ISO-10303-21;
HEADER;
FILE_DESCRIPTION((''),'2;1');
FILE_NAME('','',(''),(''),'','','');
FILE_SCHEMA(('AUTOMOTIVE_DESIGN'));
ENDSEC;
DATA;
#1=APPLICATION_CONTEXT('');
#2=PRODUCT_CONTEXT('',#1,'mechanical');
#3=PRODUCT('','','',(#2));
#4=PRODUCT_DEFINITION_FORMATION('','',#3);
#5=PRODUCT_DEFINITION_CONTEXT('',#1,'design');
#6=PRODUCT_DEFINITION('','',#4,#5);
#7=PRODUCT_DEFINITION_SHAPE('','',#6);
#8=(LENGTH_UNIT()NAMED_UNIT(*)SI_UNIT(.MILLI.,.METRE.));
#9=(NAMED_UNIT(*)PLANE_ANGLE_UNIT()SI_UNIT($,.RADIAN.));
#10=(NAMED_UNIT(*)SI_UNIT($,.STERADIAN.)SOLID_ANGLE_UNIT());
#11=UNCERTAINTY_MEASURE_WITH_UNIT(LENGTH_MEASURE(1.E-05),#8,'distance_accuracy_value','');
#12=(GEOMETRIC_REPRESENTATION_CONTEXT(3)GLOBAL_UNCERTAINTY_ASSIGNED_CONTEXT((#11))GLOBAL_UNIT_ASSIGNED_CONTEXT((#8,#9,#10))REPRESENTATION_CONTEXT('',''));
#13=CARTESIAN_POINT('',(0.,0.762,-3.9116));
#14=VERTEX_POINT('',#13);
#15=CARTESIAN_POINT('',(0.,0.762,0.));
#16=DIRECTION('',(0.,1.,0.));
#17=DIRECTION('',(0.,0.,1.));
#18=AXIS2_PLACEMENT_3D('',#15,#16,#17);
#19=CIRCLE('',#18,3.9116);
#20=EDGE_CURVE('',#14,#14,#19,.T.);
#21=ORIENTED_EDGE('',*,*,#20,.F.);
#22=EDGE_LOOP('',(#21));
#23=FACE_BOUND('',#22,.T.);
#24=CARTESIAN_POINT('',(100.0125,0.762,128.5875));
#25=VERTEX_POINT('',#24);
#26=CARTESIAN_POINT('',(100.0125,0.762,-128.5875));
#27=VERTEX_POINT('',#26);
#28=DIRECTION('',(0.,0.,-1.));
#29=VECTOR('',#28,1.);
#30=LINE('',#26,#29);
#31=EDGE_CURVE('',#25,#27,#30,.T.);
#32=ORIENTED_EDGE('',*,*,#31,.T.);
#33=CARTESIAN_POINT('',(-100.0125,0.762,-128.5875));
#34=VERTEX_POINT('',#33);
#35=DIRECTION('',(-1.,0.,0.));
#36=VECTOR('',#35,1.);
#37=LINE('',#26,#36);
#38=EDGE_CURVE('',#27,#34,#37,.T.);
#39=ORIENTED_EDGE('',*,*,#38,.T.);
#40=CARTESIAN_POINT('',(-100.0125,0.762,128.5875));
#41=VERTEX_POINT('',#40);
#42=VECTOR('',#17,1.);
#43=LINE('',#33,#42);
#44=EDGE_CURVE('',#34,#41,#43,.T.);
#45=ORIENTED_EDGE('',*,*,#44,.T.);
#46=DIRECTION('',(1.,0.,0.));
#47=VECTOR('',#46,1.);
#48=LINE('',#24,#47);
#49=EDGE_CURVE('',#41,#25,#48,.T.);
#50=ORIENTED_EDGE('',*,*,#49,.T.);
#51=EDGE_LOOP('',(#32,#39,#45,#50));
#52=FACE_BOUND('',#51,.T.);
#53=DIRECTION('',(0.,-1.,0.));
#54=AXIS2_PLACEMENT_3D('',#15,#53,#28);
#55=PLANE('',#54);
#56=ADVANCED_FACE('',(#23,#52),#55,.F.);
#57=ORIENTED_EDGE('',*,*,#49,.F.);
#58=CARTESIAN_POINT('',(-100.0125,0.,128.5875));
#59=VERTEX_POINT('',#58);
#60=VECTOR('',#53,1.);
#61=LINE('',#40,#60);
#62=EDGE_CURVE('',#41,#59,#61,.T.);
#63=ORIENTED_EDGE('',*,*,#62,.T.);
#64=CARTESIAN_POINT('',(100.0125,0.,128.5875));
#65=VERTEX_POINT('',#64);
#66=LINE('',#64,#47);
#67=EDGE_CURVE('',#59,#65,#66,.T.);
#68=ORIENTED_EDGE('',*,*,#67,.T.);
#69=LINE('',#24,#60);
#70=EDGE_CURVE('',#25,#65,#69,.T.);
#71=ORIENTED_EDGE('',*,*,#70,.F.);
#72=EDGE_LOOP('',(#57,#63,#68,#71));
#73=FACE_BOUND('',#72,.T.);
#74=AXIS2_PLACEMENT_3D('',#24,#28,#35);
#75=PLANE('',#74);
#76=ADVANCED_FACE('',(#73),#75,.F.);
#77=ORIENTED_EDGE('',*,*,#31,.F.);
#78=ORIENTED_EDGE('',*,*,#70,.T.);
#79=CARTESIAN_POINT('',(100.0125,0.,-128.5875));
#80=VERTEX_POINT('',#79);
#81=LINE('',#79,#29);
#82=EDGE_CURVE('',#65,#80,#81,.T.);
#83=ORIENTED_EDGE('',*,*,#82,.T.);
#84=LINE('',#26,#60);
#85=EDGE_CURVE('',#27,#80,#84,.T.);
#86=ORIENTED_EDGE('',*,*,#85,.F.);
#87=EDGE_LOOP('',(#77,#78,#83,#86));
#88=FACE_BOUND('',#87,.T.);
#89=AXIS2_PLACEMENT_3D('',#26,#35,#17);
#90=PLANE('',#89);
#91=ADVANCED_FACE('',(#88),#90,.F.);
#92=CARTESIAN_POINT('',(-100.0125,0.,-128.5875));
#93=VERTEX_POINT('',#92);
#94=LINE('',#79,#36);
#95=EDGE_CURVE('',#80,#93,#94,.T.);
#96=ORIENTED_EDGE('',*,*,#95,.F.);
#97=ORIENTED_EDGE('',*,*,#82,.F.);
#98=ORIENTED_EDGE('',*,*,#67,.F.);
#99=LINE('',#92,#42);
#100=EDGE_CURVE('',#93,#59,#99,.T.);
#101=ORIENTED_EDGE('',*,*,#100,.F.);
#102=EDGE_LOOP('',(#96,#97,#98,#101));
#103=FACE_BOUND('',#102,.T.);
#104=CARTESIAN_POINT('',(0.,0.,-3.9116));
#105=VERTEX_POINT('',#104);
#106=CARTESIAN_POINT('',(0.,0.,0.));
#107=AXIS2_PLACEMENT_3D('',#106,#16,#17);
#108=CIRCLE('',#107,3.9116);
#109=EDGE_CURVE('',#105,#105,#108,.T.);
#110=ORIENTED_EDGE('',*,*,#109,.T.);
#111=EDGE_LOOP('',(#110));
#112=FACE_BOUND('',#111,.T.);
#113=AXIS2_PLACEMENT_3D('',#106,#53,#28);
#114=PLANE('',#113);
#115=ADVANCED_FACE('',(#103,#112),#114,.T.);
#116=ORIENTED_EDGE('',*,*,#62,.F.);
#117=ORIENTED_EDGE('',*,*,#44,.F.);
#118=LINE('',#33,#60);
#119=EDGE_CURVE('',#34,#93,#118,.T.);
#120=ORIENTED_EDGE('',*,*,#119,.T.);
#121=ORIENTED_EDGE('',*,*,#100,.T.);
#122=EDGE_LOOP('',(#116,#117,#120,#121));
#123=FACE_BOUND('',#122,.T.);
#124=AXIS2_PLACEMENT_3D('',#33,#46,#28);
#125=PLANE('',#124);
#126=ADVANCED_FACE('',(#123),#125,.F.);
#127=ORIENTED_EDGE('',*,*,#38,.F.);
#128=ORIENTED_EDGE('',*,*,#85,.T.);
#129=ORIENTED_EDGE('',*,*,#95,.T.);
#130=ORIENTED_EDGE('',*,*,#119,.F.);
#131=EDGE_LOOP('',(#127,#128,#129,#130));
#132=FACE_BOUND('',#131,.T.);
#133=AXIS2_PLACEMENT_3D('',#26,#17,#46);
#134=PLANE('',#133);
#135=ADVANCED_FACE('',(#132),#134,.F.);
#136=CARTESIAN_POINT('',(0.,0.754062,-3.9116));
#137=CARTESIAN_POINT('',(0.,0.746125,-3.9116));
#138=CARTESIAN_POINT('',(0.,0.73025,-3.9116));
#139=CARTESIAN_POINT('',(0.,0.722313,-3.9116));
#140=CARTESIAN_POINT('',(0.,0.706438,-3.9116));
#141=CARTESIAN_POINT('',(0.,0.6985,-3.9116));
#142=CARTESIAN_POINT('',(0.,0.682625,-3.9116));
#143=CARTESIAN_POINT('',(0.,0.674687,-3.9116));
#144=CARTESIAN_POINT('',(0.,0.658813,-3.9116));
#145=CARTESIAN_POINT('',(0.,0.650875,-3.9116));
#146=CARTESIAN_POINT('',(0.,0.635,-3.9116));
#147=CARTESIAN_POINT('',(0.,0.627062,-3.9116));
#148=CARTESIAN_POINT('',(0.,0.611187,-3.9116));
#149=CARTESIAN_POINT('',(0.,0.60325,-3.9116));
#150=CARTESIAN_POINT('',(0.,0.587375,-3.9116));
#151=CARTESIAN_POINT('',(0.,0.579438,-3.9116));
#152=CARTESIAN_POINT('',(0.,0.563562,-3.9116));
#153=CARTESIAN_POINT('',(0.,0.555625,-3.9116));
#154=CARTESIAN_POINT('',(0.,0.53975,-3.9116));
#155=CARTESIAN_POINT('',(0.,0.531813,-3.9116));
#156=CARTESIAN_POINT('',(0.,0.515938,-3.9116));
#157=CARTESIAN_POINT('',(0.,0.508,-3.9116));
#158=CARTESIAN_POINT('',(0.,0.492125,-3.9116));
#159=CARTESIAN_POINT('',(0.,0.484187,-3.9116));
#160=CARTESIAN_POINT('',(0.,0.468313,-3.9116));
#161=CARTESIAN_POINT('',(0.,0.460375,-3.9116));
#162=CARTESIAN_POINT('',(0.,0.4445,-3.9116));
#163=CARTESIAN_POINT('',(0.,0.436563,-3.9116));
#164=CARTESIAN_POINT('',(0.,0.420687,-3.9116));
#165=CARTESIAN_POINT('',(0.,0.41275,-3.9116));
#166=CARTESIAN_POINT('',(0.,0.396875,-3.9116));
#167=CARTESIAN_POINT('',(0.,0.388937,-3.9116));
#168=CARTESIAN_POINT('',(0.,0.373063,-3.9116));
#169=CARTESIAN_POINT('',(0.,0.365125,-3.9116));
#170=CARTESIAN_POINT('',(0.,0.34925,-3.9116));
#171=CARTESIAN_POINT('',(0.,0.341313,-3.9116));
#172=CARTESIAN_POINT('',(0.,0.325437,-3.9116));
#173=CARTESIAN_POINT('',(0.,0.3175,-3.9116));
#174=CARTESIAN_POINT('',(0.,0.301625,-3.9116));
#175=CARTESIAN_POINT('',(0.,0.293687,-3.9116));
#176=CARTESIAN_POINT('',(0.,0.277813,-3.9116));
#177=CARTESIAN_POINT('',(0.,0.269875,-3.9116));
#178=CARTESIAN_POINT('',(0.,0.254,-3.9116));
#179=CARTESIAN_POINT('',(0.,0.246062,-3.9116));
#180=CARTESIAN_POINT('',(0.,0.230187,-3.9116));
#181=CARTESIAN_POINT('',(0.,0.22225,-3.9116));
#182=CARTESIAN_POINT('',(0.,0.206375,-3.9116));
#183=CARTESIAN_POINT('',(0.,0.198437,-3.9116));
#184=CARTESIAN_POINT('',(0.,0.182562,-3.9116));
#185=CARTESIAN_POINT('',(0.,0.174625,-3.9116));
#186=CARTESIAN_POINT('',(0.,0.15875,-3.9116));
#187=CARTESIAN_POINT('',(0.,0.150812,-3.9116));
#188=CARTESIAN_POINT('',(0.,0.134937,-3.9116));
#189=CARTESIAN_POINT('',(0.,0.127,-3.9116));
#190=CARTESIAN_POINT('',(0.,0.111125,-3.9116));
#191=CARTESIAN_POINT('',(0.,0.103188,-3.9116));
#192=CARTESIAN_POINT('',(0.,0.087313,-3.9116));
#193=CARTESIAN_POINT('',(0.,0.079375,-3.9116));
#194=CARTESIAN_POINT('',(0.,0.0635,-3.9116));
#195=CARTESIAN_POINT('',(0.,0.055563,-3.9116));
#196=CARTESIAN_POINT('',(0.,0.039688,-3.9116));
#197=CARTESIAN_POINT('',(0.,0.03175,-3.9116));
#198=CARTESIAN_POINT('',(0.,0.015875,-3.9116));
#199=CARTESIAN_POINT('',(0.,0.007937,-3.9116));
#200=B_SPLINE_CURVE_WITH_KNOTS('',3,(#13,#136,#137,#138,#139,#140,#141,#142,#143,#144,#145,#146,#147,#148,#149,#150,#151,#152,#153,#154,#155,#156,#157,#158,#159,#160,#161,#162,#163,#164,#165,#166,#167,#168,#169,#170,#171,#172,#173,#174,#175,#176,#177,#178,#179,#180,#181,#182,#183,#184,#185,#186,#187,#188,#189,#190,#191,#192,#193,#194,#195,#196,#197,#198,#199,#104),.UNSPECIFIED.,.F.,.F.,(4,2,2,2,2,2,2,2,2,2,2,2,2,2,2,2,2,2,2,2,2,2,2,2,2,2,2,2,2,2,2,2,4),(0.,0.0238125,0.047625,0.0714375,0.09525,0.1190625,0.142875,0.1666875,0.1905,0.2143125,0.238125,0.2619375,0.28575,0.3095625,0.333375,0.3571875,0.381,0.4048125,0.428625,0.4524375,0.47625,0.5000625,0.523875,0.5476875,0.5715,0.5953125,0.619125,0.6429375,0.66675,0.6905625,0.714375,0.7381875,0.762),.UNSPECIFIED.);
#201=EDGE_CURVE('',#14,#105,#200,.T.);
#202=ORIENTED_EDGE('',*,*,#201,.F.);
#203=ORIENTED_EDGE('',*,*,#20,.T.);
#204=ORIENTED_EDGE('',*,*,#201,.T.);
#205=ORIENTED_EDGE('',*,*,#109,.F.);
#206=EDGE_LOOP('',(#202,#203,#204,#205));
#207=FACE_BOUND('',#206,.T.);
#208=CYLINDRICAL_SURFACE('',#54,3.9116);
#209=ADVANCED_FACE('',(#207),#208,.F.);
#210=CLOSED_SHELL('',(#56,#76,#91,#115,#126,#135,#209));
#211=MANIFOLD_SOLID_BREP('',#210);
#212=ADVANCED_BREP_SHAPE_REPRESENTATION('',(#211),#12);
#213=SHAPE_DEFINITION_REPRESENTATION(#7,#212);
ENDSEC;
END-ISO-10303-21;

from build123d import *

# Parameters (mm, degrees)
SKETCH1_W           = 200.025
SKETCH1_H           = 257.175
SKETCH1_R           = 3.9116
BOSS_EXTRUDE1_DEPTH = 0.762


with BuildPart() as part:
    # Sketch1 → Boss-Extrude1 (new body)
    with BuildSketch(Plane(origin=(0, 0, 0), x_dir=(1, 0, 0), z_dir=(0, 1, 0))):
        Rectangle(SKETCH1_W, SKETCH1_H)
        with Locations(Location((0, 0, 0), (0, 0, 90))):
            Circle(SKETCH1_R, mode=Mode.SUBTRACT)
    extrude(amount=BOSS_EXTRUDE1_DEPTH)


solid = part.part
